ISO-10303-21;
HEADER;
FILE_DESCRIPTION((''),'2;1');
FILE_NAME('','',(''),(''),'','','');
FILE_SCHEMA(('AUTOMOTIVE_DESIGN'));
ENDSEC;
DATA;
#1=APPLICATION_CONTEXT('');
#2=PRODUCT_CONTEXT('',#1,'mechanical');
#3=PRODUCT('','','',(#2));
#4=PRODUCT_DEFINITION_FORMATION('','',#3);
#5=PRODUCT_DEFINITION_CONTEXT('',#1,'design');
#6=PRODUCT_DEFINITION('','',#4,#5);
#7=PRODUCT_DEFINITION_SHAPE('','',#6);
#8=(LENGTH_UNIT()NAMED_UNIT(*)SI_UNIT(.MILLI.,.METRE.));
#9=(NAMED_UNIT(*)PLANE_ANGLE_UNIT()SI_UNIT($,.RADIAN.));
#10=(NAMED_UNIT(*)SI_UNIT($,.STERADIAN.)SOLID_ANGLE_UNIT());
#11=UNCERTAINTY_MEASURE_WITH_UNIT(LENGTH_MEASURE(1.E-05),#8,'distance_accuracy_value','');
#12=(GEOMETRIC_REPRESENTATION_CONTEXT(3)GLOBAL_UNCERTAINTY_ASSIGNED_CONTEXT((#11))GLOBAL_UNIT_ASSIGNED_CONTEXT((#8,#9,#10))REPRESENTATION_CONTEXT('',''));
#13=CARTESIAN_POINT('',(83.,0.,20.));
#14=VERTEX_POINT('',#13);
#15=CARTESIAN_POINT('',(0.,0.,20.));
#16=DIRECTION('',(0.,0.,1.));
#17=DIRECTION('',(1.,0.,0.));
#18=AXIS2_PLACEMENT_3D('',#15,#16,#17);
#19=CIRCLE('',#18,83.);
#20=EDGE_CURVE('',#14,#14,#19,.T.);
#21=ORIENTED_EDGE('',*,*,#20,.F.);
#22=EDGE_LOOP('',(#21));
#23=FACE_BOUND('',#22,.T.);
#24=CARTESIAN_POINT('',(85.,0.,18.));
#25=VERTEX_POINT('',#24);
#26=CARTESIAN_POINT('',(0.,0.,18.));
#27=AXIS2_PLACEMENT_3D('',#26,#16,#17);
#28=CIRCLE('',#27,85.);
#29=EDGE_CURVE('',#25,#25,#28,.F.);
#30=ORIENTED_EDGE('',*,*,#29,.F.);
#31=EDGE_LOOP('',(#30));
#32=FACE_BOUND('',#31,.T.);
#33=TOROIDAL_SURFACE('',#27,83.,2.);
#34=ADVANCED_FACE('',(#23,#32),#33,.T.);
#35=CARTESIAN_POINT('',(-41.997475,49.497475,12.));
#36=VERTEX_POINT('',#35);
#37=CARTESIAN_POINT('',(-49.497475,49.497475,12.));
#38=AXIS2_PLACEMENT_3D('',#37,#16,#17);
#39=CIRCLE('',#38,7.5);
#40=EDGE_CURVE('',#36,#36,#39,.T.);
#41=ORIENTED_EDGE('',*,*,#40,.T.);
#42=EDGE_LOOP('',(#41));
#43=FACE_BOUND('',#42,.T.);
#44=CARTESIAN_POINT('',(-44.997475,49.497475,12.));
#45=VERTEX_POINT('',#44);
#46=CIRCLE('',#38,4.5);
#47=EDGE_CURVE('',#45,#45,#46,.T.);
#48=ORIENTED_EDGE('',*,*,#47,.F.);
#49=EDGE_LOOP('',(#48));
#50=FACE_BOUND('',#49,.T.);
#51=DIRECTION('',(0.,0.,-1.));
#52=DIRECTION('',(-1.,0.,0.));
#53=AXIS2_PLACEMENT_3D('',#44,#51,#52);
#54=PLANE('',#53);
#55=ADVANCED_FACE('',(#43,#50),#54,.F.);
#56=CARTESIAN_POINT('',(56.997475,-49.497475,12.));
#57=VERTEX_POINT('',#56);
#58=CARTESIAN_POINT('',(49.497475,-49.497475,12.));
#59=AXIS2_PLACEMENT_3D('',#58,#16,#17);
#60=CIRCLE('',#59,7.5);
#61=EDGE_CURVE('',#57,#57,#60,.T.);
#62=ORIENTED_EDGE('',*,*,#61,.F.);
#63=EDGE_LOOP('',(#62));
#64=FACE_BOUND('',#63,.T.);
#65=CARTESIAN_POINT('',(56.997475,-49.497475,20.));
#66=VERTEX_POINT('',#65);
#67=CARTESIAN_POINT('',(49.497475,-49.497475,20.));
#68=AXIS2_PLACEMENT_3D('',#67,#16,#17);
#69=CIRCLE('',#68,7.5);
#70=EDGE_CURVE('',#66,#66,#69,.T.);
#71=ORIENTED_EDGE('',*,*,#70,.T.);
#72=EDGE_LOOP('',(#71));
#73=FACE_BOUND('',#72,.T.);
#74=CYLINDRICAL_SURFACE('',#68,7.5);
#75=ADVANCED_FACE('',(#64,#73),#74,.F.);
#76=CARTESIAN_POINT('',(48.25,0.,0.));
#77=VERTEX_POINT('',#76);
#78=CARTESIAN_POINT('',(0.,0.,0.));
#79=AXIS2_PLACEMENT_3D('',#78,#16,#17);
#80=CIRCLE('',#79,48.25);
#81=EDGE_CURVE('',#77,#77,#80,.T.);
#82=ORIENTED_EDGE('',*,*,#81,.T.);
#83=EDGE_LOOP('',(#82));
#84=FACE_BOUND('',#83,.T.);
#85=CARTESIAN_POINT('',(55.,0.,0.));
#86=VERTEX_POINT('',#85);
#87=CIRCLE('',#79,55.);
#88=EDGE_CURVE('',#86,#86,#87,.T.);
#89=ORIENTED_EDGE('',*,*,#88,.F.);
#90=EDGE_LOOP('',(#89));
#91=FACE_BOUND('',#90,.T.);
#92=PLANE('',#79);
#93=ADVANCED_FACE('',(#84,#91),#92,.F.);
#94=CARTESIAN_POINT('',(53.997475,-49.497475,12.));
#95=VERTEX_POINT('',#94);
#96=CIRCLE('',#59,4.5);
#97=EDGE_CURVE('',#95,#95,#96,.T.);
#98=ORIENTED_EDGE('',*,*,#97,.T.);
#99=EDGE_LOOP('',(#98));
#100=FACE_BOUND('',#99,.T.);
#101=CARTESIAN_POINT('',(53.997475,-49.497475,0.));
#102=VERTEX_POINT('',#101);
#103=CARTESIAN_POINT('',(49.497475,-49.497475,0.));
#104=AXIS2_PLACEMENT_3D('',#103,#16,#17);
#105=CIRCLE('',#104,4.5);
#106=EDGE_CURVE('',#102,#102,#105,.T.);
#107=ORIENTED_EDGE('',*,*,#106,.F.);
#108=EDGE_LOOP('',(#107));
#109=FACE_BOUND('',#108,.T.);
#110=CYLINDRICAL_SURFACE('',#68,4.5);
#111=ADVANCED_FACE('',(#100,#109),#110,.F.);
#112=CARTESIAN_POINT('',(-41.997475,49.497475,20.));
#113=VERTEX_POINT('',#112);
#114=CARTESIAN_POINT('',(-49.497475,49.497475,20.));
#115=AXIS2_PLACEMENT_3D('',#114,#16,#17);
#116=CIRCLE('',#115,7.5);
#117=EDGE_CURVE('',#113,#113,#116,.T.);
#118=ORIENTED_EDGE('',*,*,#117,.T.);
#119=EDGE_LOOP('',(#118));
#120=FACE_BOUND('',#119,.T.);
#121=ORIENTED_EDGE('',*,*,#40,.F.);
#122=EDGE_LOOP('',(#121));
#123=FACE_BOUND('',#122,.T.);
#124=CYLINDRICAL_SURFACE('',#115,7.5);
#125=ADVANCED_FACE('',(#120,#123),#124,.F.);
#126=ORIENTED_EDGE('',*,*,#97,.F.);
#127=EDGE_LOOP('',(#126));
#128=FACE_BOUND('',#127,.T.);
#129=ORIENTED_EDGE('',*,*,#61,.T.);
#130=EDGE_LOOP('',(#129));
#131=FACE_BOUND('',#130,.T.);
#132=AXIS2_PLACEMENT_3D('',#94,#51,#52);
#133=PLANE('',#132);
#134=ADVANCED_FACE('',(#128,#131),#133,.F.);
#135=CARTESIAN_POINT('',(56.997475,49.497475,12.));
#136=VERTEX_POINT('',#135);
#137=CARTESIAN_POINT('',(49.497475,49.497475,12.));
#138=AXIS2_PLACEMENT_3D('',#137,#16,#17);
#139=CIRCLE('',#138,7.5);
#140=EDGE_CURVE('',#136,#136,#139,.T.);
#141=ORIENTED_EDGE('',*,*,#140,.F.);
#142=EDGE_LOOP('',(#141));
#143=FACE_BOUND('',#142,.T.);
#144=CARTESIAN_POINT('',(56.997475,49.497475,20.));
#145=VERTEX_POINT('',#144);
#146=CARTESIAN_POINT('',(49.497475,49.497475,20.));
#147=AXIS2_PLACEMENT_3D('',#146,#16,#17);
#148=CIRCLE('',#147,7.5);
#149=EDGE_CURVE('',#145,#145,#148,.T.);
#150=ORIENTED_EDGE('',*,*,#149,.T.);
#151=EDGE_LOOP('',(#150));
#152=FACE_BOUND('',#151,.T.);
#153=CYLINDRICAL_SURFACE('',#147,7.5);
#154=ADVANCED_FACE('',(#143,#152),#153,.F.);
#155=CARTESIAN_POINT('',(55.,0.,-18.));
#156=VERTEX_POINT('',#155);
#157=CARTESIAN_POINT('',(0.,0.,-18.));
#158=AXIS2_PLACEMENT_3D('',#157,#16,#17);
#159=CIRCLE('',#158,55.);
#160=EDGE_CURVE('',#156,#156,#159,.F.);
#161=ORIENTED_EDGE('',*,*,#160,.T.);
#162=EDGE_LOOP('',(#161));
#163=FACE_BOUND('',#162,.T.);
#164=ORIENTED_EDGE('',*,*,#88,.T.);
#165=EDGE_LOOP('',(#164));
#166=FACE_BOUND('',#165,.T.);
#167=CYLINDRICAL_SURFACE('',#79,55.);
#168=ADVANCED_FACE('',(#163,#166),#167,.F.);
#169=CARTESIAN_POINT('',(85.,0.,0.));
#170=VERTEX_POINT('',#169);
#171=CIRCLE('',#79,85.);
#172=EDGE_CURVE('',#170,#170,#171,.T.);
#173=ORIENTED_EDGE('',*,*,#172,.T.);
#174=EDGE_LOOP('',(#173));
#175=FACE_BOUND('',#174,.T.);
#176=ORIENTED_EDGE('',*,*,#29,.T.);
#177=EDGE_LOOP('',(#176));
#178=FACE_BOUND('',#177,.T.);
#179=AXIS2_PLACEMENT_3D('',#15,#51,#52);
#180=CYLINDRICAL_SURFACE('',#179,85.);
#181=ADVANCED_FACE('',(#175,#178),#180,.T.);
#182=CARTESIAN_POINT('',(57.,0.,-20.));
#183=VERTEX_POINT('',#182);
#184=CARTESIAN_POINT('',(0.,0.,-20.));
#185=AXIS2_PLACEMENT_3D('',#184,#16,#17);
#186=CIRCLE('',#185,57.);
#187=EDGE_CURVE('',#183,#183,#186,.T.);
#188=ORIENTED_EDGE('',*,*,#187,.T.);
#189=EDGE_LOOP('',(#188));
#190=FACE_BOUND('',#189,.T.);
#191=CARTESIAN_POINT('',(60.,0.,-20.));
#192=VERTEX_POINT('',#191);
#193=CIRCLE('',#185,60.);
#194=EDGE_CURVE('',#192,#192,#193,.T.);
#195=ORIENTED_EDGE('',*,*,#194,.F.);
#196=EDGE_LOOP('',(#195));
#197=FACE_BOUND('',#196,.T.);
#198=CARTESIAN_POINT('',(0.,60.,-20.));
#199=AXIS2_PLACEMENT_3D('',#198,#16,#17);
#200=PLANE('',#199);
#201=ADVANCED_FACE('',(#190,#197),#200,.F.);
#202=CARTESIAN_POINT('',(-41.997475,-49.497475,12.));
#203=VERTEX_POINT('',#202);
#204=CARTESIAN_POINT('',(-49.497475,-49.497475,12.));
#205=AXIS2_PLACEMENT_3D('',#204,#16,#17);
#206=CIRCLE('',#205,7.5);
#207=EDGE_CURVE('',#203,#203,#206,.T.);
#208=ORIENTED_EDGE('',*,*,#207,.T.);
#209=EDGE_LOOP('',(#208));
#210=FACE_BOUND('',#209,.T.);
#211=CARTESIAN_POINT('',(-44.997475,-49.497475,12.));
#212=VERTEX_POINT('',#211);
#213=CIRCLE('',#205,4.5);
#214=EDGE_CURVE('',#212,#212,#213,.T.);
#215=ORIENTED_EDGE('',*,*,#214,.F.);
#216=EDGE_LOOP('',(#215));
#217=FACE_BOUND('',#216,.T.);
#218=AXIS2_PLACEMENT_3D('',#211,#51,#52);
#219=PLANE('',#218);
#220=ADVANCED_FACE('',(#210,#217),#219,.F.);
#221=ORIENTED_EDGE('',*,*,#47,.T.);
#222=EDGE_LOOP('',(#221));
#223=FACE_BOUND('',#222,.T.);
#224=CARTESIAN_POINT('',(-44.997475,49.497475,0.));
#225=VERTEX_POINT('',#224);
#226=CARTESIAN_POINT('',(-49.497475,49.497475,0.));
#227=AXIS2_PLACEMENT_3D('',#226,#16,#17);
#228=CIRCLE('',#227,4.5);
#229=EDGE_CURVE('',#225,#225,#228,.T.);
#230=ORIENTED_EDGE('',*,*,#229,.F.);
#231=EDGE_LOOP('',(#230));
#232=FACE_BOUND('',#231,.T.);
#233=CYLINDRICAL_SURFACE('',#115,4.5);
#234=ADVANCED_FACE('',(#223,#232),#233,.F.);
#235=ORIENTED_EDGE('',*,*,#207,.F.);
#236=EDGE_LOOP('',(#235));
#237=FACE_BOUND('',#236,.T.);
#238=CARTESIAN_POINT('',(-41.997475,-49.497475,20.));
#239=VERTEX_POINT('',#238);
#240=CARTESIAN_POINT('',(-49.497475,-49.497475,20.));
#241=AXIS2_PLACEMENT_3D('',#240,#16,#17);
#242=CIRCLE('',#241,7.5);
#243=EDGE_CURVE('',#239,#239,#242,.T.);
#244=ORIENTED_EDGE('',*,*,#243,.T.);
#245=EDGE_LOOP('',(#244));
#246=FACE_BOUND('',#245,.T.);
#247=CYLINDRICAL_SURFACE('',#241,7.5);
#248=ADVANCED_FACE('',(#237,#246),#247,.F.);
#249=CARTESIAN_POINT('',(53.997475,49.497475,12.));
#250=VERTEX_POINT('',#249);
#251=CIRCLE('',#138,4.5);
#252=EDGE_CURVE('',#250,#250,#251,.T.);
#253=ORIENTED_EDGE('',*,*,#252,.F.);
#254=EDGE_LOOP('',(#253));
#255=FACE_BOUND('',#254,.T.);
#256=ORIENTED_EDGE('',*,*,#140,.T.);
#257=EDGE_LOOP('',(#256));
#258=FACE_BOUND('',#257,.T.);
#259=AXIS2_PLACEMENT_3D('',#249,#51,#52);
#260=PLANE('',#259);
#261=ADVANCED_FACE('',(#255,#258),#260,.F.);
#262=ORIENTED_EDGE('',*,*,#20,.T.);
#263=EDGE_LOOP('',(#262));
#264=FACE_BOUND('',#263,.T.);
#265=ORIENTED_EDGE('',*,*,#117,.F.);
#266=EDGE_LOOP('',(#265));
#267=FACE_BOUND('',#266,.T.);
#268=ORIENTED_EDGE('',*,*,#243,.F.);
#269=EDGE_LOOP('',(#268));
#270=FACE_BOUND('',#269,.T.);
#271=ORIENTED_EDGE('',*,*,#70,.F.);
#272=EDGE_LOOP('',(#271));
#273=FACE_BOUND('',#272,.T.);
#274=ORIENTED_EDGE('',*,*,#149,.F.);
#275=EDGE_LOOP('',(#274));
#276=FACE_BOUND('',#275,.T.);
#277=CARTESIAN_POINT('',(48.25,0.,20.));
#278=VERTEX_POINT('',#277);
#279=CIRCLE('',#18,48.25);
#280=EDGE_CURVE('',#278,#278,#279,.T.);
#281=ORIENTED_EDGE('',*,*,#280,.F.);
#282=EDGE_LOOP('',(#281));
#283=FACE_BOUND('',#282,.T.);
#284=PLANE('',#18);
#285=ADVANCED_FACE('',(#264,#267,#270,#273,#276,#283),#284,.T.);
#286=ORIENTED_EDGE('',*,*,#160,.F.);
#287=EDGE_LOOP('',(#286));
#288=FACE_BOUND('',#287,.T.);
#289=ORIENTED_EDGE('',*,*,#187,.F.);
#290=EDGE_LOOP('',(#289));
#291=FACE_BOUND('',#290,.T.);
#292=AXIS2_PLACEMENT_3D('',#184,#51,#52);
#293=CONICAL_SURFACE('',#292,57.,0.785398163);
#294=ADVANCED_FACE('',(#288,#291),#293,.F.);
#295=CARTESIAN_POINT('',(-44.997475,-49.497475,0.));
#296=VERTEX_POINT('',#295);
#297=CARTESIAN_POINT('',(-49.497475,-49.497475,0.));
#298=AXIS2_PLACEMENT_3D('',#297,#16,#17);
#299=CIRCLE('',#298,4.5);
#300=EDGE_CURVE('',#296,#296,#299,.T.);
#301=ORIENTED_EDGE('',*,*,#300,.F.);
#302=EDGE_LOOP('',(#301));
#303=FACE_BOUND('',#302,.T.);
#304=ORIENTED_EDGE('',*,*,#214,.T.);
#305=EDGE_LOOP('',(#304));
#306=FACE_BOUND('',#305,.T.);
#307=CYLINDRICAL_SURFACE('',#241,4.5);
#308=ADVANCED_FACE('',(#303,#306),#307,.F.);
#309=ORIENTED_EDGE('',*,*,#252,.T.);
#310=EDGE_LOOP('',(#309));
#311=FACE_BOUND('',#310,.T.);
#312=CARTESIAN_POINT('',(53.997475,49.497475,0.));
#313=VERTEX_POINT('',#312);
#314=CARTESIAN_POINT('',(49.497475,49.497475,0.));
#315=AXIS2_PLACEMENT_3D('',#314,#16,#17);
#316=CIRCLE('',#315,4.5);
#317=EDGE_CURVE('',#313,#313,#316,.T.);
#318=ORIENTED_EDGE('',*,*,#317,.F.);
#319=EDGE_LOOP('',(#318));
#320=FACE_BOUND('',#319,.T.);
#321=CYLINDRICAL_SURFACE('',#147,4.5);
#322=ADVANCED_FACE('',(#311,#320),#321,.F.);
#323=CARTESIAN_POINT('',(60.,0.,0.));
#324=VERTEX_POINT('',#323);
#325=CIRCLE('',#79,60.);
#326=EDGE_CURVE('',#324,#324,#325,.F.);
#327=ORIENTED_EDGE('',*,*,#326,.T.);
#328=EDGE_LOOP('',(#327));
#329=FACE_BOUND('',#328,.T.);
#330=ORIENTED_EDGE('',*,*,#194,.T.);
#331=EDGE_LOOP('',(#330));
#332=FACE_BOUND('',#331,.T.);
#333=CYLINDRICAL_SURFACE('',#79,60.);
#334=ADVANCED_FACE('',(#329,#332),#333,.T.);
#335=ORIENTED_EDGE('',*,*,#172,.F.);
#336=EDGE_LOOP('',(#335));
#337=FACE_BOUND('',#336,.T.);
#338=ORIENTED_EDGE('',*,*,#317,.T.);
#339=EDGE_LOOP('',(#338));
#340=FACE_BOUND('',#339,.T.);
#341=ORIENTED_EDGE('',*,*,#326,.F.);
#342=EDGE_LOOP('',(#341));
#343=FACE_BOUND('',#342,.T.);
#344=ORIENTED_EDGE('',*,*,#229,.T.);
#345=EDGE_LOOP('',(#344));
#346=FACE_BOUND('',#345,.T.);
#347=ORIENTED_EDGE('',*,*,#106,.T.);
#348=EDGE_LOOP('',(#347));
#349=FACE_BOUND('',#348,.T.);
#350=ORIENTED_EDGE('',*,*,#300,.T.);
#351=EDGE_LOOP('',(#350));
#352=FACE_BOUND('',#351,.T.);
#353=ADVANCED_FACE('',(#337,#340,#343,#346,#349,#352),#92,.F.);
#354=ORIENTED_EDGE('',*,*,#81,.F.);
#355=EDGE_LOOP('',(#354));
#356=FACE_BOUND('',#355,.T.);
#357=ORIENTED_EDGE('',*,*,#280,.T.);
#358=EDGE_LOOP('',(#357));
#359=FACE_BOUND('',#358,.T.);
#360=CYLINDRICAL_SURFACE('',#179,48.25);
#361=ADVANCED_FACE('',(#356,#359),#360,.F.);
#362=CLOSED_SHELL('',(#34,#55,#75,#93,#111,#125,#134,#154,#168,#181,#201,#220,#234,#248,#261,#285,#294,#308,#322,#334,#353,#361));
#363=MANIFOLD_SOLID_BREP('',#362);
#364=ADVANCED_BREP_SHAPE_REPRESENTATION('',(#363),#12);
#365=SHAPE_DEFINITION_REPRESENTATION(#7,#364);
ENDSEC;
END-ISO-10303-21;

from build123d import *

# Parameters (mm, degrees)
SCHIZZO1_R                                           = 85
SCHIZZO1_R_2                                         = 48.25
ESTRUSIONE_ESTRUSIONE1_DEPTH                         = 20
SCHIZZO2_W                                           = 20
SCHIZZO2_H                                           = 5
RACCORDO1_R                                          = 2
SMUSSO1_SIZE                                         = 2
FORO_LAMATO_PER_VITE_M8_A_TESTA_CILINDRI_D           = 9
FORO_LAMATO_PER_VITE_M8_A_TESTA_CILINDRI_CBORE_D     = 15
FORO_LAMATO_PER_VITE_M8_A_TESTA_CILINDRI_CBORE_DEPTH = 8
RIPETIZIONECIRCOLARE1_COUNT                          = 4


with BuildPart() as part:
    # Schizzo1 → Estrusione-Estrusione1 (new body)
    with BuildSketch(Plane.XY):
        Circle(SCHIZZO1_R)
        Circle(SCHIZZO1_R_2, mode=Mode.SUBTRACT)
    extrude(amount=ESTRUSIONE_ESTRUSIONE1_DEPTH)

    # Schizzo2 → Rivoluzione1 (revolve)
    with BuildSketch(Plane(origin=(0, 0, 0), x_dir=(0, 0, -1), z_dir=(1, 0, 0)), mode=Mode.PRIVATE) as rivoluzione1_sk:
        with Locations((10, 57.5)):
            Rectangle(SCHIZZO2_W, SCHIZZO2_H)
    revolve(rivoluzione1_sk.sketch.rotate(Axis((0, 0, 0), (0, 0, -1)), 90), axis=Axis((0, 0, 0), (0, 0, -1)))

    # Raccordo1
    raccordo1_edges = [part.edges().sort_by_distance(p)[0] for p in [
        (-85, 0, 20),
    ]]
    fillet(raccordo1_edges, radius=RACCORDO1_R)

    # Smusso1
    smusso1_edges = [part.edges().sort_by_distance(p)[0] for p in [
        (-55, 0, -20),
    ]]
    chamfer(smusso1_edges, length=SMUSSO1_SIZE)

    # Foro lamato per Vite M8 a testa cilindrica piana-1 (through all)
    with Locations(Plane.XY.offset(20)):
        with Locations((-49.497474683, 49.497474683)):
            foro_lamato_per_vite_m8_a_testa_cilindri = CounterBoreHole(FORO_LAMATO_PER_VITE_M8_A_TESTA_CILINDRI_D / 2, FORO_LAMATO_PER_VITE_M8_A_TESTA_CILINDRI_CBORE_D / 2, FORO_LAMATO_PER_VITE_M8_A_TESTA_CILINDRI_CBORE_DEPTH)

    # RipetizioneCircolare1: Foro lamato per Vite M8 a testa cilindrica piana-1 ×4 about axis
    ripetizionecircolare1_axis = Axis((0, 0, 0), (0, 0, 1))
    for i in range(1, RIPETIZIONECIRCOLARE1_COUNT):
        add(foro_lamato_per_vite_m8_a_testa_cilindri.rotate(ripetizionecircolare1_axis, i * 360 / RIPETIZIONECIRCOLARE1_COUNT), mode=Mode.SUBTRACT)


solid = part.part
